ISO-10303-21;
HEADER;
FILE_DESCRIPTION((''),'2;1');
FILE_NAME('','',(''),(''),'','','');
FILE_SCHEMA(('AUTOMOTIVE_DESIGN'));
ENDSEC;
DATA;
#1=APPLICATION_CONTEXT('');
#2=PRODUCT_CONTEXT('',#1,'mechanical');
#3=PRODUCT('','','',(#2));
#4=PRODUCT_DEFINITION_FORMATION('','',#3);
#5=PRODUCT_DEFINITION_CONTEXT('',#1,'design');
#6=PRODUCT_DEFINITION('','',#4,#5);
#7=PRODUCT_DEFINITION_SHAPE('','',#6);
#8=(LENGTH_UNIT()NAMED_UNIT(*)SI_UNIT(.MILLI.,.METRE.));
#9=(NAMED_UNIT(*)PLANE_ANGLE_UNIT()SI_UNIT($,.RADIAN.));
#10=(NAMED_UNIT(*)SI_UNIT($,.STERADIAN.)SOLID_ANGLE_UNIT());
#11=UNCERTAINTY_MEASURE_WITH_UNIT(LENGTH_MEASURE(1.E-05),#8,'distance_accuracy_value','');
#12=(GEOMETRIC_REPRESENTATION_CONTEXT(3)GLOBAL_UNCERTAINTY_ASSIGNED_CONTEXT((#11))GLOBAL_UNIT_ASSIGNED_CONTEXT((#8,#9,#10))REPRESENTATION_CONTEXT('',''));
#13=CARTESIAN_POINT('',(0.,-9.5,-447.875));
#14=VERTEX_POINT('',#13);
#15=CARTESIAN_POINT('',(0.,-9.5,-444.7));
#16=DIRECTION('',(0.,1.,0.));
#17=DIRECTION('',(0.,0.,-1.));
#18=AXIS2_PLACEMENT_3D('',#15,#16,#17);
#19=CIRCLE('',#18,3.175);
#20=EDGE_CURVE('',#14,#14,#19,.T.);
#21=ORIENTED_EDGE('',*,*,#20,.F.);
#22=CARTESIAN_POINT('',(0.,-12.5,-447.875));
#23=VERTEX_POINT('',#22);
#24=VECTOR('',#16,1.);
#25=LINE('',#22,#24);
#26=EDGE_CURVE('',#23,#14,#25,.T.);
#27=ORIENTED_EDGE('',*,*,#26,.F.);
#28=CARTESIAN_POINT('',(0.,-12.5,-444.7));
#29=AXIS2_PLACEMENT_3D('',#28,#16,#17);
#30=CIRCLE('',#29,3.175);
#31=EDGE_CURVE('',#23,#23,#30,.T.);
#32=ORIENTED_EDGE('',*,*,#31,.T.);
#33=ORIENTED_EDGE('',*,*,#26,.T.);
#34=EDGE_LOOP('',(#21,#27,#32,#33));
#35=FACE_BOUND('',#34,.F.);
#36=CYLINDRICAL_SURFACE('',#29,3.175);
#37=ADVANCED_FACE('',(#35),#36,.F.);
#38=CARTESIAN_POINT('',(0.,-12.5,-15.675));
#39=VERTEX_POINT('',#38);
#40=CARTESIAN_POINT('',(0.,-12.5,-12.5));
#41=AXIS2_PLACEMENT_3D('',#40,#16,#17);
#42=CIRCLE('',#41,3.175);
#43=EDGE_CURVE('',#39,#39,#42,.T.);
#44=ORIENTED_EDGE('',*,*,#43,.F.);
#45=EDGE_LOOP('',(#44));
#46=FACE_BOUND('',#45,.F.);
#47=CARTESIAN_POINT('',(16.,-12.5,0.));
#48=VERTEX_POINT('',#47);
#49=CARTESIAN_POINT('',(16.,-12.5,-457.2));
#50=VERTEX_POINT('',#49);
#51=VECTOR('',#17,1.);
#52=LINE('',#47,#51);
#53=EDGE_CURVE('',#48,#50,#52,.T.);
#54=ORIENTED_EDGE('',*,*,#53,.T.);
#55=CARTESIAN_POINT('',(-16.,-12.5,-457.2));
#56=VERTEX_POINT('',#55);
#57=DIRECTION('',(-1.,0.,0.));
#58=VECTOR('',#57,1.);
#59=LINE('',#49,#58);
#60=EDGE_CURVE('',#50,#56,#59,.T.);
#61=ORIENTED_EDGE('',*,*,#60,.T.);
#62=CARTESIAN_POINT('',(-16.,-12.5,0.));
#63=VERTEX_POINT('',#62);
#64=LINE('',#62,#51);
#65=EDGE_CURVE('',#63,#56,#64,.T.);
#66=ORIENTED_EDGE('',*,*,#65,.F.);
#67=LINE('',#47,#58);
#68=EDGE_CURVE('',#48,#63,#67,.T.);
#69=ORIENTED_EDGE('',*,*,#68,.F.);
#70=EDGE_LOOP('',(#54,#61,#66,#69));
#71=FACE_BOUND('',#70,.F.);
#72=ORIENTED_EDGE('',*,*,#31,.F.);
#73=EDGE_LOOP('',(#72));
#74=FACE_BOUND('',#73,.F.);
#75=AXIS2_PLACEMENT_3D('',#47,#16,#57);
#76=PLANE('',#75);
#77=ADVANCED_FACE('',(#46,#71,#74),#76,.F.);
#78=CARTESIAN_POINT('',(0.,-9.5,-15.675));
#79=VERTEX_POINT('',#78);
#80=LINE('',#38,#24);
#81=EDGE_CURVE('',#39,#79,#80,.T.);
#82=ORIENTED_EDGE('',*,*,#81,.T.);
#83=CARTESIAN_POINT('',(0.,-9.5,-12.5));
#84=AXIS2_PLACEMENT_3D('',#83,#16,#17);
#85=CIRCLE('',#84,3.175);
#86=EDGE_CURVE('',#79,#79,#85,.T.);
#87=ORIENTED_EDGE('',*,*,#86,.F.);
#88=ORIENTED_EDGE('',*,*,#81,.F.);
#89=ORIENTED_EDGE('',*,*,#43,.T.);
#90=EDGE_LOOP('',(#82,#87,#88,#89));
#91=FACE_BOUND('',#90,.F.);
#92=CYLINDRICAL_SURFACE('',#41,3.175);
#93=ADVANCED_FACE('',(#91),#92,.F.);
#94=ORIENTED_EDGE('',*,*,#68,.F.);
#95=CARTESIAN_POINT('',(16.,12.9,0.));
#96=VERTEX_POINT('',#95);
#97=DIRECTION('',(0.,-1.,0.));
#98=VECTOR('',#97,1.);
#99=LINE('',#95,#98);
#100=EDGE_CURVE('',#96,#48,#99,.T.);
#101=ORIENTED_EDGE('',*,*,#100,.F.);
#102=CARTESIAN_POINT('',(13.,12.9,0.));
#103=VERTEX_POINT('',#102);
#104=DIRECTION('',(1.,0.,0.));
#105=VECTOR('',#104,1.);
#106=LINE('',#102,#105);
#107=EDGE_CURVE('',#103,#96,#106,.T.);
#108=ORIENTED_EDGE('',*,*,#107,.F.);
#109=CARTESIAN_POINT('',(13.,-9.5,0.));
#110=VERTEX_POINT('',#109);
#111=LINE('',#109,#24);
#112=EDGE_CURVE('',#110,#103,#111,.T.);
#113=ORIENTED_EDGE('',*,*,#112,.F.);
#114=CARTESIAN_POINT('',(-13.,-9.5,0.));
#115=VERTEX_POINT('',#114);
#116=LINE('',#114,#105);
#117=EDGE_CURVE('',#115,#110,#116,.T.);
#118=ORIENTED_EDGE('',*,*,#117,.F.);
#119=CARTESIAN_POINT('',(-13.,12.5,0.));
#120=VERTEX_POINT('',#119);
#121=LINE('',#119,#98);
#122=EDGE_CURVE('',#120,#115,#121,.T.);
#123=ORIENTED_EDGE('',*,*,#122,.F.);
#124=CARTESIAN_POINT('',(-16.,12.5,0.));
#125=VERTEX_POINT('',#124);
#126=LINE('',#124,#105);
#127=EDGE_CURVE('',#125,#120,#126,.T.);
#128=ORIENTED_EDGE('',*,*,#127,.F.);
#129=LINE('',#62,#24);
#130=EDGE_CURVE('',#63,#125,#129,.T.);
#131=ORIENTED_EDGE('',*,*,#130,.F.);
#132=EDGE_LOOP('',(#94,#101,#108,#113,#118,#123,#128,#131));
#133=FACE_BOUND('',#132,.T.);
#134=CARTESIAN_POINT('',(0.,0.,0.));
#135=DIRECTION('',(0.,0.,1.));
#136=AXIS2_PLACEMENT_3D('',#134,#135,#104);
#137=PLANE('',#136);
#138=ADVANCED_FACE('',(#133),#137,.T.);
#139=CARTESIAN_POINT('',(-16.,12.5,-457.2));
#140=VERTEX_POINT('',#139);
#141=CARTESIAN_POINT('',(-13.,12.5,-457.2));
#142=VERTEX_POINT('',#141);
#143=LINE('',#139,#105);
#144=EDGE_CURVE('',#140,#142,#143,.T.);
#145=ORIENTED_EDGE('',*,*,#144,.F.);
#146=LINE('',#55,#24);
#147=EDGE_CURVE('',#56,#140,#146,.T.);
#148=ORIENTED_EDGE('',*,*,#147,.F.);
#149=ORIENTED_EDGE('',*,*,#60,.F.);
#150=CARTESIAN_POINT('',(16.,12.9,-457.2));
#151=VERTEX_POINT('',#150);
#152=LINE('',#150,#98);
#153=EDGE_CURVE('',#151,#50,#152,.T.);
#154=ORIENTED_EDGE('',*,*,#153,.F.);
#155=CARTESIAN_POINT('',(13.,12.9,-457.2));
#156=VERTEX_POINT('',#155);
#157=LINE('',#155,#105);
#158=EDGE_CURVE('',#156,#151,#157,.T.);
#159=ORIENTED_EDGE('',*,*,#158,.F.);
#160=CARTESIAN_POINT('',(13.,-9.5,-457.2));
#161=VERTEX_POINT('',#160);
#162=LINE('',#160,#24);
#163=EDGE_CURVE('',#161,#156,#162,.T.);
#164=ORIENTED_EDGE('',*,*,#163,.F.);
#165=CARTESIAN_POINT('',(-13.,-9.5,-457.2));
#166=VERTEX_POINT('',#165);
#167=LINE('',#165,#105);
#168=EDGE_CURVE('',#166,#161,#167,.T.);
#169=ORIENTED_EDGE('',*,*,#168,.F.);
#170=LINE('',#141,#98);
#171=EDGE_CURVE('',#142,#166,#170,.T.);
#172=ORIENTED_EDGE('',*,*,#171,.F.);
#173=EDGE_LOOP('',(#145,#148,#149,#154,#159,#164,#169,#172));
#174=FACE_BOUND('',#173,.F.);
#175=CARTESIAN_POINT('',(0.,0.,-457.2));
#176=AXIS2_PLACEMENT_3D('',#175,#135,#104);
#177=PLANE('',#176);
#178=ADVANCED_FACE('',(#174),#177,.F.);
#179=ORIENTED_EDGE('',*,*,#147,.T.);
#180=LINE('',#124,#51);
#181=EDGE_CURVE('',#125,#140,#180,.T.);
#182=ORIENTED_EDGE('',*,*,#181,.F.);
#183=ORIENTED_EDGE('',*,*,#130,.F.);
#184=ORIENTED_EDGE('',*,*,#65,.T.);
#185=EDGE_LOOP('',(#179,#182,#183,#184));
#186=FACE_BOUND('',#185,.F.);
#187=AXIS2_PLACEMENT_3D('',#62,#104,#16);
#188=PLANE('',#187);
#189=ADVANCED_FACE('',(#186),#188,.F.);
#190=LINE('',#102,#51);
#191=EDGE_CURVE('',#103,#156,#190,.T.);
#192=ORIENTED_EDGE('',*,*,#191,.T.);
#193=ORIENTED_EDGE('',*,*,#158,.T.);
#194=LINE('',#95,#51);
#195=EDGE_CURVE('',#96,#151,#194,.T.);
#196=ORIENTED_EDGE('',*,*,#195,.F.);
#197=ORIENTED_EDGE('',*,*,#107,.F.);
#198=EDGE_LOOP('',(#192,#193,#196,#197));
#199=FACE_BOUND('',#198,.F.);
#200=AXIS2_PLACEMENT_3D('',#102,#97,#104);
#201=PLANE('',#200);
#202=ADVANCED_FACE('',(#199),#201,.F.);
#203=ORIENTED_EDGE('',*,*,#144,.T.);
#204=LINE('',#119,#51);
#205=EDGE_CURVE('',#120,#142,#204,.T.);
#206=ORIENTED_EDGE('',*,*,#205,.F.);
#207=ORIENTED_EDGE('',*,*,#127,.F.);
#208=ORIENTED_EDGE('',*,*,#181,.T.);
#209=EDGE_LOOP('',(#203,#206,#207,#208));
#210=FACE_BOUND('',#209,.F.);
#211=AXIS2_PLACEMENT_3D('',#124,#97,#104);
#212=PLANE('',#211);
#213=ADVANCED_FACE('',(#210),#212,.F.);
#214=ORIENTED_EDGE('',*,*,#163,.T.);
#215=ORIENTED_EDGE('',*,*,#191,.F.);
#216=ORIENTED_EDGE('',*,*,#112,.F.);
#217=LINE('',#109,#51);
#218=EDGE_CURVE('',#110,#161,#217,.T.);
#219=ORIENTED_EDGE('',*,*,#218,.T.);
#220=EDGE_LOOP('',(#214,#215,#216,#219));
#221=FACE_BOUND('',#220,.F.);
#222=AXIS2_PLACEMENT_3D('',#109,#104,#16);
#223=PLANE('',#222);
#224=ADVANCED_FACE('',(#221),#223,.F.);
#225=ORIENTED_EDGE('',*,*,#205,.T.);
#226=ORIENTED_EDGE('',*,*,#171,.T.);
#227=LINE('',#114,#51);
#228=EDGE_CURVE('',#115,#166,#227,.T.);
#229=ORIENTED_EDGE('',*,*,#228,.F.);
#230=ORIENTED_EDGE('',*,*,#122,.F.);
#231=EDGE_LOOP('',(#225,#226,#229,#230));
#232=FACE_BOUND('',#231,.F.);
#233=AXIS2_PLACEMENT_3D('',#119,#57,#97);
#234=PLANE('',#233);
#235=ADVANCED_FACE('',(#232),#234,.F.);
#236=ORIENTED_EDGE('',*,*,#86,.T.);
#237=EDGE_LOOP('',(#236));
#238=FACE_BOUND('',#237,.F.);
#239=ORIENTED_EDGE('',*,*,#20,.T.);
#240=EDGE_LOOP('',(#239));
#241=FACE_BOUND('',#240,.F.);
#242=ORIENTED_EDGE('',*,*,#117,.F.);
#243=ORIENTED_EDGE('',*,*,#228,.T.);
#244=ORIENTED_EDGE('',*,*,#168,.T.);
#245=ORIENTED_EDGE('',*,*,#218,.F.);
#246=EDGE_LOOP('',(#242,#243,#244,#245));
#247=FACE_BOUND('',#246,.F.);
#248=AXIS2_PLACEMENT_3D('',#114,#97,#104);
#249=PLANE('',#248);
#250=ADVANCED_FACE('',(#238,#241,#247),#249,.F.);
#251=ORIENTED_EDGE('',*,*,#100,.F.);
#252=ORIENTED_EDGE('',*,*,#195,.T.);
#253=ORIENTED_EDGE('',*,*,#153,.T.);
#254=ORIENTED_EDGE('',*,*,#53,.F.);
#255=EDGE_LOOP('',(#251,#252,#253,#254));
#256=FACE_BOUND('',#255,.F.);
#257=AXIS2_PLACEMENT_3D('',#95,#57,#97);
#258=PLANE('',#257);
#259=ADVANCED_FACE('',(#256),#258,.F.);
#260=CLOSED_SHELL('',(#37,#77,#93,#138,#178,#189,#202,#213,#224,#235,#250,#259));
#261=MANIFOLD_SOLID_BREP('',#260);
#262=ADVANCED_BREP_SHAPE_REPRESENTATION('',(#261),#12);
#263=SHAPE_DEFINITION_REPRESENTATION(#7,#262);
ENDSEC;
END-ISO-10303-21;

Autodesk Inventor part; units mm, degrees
ref_plane "YZ Plane" through (0, 0, 0) normal (1, 0, 0) x (0, 1, 0)
ref_plane "XZ Plane" through (0, 0, 0) normal (0, 1, 0) x (-1, 0, 0)
ref_plane "XY Plane" through (0, 0, 0) normal (0, 0, 1) x (1, 0, 0)
sketch "Sketch1" plane through (0, 0, 0) normal (0, 0, 1) x (1, 0, 0)
  line L0 (-16, 12.5) -> (-13, 12.5)
  line L1 (-13, 12.5) -> (-13, -9.5)
  line L2 (-13, -9.5) -> (13, -9.5)
  line L3 (13, -9.5) -> (13, 12.9)
  line L4 (13, 12.9) -> (16, 12.9)
  line L5 (16, 12.9) -> (16, -12.5)
  line L6 (16, -12.5) -> (-16, -12.5)
  line L7 (-16, -12.5) -> (-16, 12.5)
  point P0 (0, 0)
  dimension "d0" = 3
  dimension "d2" = 3
  dimension "d3" = 25
  dimension "d4" = 32
  dimension "d5" = 16
  dimension "d7" = 12.5
  dimension "d8" = 3
extrude "Extrusion1" add sketch "Sketch1" against normal blind 457.2
sketch "Sketch10" plane through (-16, -12.5, 0) normal (0, -1, 0) x (1, 0, 0)
  line L0 (32, 0) -> (0, 0) projected
  line L1 (0, 0) -> (0, -457.2) projected
  line L2 (32, -457.2) -> (0, -457.2) projected
  circle A0 centre (16, -12.5) radius 3.175
  circle A1 centre (16, -444.7) radius 3.175
  point P0 (16, 0)
  dimension "d34" = 6.35
  dimension "d35" = 12.5
  dimension "d36" = 12.5
  dimension "d37" = 16
  dimension "d38" = 6.35
hole "Hole1" at (0, -12.5, -444.7) at (0, -12.5, -12.5) direction (0, 1, 0) diameter 6.35 depth 3 tip angle 118
equation "\"d2\" = d0"
equation "\"d5\" = 0.5 * d4"
equation "\"d7\" = 0.5 * d3"
equation "\"d8\" = d0"
equation "\"d36\" = d35"
properties part number "18in C-Channel Front" material "Aluminum 6061"
